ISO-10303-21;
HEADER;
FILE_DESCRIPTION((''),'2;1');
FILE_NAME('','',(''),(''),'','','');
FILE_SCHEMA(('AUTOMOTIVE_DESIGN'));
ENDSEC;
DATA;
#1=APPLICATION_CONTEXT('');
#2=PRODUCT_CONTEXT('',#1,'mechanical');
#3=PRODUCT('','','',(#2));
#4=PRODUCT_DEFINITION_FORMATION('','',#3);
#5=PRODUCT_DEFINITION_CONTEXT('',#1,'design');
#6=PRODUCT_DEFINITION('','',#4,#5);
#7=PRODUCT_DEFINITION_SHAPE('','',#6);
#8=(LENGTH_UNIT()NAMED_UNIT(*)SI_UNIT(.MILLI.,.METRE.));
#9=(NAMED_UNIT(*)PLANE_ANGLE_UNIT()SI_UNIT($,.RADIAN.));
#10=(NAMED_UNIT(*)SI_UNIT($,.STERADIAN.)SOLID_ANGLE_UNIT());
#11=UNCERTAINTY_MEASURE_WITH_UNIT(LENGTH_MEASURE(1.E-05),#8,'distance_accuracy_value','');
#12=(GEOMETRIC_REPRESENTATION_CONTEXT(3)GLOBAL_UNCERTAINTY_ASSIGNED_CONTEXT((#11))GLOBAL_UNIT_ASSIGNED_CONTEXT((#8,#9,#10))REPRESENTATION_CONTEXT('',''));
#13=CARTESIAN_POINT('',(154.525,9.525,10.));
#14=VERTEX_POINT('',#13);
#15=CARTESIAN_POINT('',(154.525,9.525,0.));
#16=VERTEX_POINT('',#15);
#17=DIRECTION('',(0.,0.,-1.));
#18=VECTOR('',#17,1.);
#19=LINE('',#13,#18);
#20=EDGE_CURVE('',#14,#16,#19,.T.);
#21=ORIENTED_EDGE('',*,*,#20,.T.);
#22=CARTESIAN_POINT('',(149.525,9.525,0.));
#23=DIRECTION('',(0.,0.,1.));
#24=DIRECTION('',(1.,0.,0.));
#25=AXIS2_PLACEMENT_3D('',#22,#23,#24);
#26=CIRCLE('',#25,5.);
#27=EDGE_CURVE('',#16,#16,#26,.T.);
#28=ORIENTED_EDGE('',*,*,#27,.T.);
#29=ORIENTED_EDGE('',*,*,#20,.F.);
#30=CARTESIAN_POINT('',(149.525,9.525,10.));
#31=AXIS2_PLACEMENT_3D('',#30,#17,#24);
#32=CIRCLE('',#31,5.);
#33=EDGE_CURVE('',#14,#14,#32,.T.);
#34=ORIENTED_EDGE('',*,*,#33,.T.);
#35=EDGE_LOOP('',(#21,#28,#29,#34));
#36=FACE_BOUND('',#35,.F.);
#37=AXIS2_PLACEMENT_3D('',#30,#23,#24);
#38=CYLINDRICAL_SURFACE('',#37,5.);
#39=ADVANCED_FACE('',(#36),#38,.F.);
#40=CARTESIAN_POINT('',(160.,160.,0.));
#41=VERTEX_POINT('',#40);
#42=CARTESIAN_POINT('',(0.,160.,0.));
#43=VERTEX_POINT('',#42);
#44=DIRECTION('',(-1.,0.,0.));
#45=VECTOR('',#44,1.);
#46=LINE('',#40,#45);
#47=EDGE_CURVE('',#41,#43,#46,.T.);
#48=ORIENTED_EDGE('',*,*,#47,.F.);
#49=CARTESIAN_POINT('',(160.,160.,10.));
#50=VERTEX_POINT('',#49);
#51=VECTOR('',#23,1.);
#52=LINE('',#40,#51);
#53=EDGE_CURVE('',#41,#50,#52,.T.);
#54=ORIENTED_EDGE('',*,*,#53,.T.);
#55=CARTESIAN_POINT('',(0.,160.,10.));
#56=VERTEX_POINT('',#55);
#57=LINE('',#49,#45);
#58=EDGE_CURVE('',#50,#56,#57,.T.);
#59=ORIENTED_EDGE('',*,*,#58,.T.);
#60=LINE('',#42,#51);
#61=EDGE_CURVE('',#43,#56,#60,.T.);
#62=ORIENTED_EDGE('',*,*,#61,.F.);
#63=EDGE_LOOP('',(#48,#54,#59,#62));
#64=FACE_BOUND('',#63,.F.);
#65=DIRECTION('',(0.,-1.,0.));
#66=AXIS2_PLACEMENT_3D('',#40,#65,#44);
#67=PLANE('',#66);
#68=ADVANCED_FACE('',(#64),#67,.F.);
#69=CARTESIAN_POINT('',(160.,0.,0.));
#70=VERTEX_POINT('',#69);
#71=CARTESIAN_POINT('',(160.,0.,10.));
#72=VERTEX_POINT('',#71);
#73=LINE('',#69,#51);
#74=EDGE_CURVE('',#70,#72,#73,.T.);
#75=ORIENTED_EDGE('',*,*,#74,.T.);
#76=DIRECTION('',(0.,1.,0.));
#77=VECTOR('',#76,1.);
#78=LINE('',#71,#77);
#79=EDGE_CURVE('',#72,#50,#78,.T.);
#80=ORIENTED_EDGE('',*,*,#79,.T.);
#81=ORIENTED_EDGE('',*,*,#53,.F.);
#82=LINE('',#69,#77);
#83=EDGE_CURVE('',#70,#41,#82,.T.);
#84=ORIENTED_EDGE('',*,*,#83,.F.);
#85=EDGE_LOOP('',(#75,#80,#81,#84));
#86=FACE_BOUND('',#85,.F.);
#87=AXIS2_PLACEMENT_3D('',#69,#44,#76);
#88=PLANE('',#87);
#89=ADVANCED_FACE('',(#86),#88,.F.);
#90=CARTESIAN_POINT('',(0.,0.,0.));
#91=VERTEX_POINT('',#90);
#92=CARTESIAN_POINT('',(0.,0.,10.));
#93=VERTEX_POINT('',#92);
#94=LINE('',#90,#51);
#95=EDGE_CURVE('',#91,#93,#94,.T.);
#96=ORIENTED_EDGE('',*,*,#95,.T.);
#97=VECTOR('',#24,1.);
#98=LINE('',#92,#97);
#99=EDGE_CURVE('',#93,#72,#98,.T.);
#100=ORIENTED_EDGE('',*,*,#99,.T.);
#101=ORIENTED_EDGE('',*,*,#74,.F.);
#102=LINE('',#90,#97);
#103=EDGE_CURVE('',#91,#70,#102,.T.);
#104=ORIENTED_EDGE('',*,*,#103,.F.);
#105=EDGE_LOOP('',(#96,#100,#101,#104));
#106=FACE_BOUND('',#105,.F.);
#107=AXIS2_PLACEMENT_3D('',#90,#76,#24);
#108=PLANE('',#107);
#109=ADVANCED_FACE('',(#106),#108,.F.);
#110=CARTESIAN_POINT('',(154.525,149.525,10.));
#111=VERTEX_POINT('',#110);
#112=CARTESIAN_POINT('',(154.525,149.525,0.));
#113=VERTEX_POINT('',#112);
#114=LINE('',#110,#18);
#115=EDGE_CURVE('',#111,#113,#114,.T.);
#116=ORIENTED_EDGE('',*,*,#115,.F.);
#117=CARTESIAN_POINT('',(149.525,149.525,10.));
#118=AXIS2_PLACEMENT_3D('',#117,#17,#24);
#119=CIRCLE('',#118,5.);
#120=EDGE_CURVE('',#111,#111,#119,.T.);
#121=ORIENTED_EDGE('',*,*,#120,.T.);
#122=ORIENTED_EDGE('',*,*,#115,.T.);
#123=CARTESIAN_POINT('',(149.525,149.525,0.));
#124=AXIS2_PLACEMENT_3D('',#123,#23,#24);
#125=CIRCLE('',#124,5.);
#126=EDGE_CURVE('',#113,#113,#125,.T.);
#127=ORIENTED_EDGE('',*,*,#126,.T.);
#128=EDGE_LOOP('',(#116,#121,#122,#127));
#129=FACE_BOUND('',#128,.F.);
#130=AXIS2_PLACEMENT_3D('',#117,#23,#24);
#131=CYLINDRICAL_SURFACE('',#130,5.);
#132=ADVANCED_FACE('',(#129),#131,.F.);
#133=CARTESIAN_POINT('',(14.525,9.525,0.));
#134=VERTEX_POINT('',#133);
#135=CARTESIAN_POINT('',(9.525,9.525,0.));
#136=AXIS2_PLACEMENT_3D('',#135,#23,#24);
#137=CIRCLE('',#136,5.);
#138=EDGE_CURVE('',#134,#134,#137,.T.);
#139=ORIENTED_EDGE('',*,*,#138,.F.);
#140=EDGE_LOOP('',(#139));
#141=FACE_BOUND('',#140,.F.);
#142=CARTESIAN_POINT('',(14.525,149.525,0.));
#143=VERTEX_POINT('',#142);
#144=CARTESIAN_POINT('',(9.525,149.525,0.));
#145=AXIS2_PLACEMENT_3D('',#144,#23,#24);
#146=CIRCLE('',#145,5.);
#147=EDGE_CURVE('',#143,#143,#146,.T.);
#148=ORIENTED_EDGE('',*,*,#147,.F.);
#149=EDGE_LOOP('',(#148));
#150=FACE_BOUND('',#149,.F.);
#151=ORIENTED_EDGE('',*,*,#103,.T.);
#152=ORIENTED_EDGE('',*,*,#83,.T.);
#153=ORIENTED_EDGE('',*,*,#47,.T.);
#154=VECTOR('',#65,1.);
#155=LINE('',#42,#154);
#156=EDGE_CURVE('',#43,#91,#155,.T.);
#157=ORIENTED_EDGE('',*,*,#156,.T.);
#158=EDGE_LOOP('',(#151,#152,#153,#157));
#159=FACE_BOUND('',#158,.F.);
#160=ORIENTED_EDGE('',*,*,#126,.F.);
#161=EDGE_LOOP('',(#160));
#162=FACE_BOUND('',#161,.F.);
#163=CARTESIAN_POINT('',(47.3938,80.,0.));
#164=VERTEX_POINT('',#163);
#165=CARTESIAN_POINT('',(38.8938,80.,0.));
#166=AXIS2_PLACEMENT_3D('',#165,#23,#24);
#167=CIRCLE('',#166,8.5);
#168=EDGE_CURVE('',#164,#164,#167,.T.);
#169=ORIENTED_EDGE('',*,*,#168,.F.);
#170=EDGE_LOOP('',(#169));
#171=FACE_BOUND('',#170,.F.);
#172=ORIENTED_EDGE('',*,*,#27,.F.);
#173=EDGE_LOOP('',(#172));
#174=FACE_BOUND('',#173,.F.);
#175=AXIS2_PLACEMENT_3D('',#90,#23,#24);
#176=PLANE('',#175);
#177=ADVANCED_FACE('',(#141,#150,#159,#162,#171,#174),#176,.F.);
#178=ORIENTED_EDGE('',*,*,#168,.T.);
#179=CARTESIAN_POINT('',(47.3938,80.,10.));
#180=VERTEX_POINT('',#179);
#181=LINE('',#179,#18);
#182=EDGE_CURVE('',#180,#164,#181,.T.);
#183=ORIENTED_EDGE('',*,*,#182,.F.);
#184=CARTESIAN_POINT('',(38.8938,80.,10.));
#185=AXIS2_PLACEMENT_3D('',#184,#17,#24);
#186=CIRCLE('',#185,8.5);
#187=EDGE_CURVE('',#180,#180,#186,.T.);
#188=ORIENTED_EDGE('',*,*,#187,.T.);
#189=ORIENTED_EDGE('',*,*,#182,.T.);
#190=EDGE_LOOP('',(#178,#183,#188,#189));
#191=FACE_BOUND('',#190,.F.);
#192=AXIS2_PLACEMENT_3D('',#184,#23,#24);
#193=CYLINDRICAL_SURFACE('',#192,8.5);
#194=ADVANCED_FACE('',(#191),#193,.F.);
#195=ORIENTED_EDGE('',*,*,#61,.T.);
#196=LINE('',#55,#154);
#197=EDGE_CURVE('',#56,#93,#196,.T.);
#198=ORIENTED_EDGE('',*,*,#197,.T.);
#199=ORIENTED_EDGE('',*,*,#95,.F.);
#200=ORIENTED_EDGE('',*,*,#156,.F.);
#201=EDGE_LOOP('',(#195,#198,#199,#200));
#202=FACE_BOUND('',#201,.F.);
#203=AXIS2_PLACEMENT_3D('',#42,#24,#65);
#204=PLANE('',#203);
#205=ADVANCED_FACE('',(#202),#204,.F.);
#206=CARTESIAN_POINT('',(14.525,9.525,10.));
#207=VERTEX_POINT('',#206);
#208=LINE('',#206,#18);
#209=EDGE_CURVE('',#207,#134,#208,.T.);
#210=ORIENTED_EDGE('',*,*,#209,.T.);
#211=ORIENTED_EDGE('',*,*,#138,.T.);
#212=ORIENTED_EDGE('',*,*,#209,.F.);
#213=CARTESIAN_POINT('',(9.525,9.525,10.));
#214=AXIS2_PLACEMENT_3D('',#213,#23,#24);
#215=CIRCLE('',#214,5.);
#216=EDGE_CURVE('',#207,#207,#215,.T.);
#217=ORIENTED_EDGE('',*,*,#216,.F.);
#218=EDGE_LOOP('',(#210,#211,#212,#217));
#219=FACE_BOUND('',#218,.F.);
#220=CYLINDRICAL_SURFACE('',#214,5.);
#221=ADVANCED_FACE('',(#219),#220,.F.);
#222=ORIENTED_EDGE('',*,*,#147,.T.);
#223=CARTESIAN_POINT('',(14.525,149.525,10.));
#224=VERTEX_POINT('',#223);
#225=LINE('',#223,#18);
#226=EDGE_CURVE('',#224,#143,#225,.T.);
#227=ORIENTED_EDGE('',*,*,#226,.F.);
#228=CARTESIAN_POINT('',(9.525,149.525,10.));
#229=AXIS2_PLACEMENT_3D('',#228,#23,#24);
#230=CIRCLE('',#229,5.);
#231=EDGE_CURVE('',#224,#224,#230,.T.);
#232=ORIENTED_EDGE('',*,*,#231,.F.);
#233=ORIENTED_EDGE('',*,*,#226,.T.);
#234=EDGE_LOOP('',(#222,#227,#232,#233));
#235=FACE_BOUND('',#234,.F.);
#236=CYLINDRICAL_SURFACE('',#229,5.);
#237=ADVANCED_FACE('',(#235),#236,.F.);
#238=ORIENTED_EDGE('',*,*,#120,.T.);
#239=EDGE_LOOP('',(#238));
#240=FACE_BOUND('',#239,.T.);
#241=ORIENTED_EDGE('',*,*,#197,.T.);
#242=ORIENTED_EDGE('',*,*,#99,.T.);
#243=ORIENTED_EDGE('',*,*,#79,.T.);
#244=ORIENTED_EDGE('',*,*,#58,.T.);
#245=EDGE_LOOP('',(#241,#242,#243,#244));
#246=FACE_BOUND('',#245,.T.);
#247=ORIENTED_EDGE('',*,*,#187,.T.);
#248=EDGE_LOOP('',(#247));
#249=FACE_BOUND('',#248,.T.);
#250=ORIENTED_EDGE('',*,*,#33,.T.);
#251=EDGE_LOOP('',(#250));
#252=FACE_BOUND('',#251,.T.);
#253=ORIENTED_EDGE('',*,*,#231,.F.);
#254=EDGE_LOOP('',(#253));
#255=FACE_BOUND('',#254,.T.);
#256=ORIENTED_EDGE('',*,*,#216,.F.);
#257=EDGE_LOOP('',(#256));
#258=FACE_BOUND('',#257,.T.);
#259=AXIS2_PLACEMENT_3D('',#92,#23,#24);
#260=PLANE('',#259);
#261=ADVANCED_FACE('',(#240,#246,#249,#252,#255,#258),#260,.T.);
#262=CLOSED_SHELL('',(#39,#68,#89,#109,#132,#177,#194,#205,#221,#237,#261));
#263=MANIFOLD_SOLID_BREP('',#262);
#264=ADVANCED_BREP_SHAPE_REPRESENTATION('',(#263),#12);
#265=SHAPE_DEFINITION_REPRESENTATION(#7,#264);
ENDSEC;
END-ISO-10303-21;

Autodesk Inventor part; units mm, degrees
ref_plane "YZ Plane" through (0, 0, 0) normal (1, 0, 0) x (0, 1, 0)
ref_plane "XZ Plane" through (0, 0, 0) normal (0, 1, 0) x (-1, 0, 0)
ref_plane "XY Plane" through (0, 0, 0) normal (0, 0, 1) x (1, 0, 0)
sketch "Sketch1" plane through (0, 0, 0) normal (0, 0, 1) x (1, 0, 0)
  line L0 (0, 0) -> (160, 0)
  line L1 (160, 0) -> (160, 160)
  line L2 (160, 160) -> (0, 160)
  line L3 (0, 160) -> (0, 0)
  dimension "d0" = 160
  dimension "d1" = 160
extrude "Extrusion1" add sketch "Sketch1" along normal blind 10
sketch "Sketch2" plane through (0, 0, 10) normal (0, 0, 1) x (1, 0, 0)
  line L0 (0, 0) -> (160, 0) projected
  line L1 (0, 0) -> (10, 0)
  line L2 (10, 0) -> (10, 150)
  line L3 (10, 150) -> (150, 150)
  dimension "d4" = 10
  dimension "d5" = 150
  dimension "d6" = 140
sketch "Sketch3" plane through (0, 0, 10) normal (0, 0, 1) x (1, 0, 0)
  line L0 (150.8125, 150.8125) -> (150.8125, 10.8125)
  line L1 (150.8125, 10.8125) -> (10.8125, 10.8125)
  line L2 (10.8125, 10.8125) -> (10.8125, 80.8125)
  line L3 (10.8125, 80.8125) -> (150.8125, 80.8125)
  circle A0 centre (10.8125, 150.8125) radius 5
  circle A1 centre (150.8125, 150.8125) radius 5
  circle A2 centre (150.8125, 10.8125) radius 5
  circle A3 centre (10.8125, 10.8125) radius 5
  point P0 (0, 0)
  dimension "d7" = 140
  dimension "d8" = 140
  dimension "d9" = 70
  dimension "d10" = 140
  dimension "d11" = 10
  dimension "d12" = 10
  dimension "d14" = 10
  dimension "d15" = 10
extrude "Extrusion2" [suppressed]
sketch "Sketch4" plane through (0, 0, 10) normal (0, 0, 1) x (1, 0, 0)
  line L0 (0, 160) -> (0, 0) projected
  line L1 (0, 80) -> (30, 80)
  line L2 (30, 80) -> (33, 80)
  line L3 (33, 80) -> (36.5125, 80)
  line L4 (36.5125, 80) -> (41.275, 80)
  circle A0 centre (38.8938, 80) radius 8.5
  dimension "d19" = 30
  dimension "d36" = 3
  dimension "d40" = 17
extrude "Extrusion3" cut sketch "Sketch4" against normal through all
sketch "Sketch5" plane through (0, 0, 10) normal (0, 0, 1) x (1, 0, 0)
  line L0 (0, 160.3375) -> (9.9943, 160)
  line L1 (160, 160) -> (0, 160) projected
  line L2 (9.9943, 160) -> (159.9943, 160)
  line L3 (159.9943, 160) -> (159.9943, 0)
  line L4 (159.9943, 0) -> (147.6375, 0)
  point P0 (0, 0)
  dimension "d23" = 10
  dimension "d24" = 150
sketch "Sketch6" plane through (0, 0, 10) normal (0, 0, 1) x (1, 0, 0)
  line L0 (160, 160) -> (0, 160) projected
  line L1 (160, 160) -> (160, 150)
  line L2 (160, 0) -> (160, 160) projected
  line L3 (160, 150) -> (10, 150)
  line L4 (10, 150) -> (10, 10)
  line L5 (0, 0) -> (160, 0) projected
  dimension "d25" = 10
  dimension "d26" = 150
  dimension "d27" = 140
sketch "Sketch7" plane through (0, 0, 10) normal (0, 0, 1) x (1, 0, 0)
  line L0 (9.525, 9.525) -> (149.525, 9.525)
  line L1 (149.525, 9.525) -> (149.525, 149.525)
  circle A0 centre (9.525, 9.525) radius 5
  circle A1 centre (9.525, 149.525) radius 5
  circle A2 centre (149.525, 149.525) radius 5
  circle A3 centre (149.525, 9.525) radius 5
  point P0 (0, 0)
  dimension "d28" = 140
  dimension "d29" = 140
  dimension "d30" = 10
  dimension "d31" = 10
  dimension "d32" = 10
  dimension "d33" = 10
extrude "Extrusion4" cut sketch "Sketch7" against normal through all
properties part number "2 nd part of capping syStem"
